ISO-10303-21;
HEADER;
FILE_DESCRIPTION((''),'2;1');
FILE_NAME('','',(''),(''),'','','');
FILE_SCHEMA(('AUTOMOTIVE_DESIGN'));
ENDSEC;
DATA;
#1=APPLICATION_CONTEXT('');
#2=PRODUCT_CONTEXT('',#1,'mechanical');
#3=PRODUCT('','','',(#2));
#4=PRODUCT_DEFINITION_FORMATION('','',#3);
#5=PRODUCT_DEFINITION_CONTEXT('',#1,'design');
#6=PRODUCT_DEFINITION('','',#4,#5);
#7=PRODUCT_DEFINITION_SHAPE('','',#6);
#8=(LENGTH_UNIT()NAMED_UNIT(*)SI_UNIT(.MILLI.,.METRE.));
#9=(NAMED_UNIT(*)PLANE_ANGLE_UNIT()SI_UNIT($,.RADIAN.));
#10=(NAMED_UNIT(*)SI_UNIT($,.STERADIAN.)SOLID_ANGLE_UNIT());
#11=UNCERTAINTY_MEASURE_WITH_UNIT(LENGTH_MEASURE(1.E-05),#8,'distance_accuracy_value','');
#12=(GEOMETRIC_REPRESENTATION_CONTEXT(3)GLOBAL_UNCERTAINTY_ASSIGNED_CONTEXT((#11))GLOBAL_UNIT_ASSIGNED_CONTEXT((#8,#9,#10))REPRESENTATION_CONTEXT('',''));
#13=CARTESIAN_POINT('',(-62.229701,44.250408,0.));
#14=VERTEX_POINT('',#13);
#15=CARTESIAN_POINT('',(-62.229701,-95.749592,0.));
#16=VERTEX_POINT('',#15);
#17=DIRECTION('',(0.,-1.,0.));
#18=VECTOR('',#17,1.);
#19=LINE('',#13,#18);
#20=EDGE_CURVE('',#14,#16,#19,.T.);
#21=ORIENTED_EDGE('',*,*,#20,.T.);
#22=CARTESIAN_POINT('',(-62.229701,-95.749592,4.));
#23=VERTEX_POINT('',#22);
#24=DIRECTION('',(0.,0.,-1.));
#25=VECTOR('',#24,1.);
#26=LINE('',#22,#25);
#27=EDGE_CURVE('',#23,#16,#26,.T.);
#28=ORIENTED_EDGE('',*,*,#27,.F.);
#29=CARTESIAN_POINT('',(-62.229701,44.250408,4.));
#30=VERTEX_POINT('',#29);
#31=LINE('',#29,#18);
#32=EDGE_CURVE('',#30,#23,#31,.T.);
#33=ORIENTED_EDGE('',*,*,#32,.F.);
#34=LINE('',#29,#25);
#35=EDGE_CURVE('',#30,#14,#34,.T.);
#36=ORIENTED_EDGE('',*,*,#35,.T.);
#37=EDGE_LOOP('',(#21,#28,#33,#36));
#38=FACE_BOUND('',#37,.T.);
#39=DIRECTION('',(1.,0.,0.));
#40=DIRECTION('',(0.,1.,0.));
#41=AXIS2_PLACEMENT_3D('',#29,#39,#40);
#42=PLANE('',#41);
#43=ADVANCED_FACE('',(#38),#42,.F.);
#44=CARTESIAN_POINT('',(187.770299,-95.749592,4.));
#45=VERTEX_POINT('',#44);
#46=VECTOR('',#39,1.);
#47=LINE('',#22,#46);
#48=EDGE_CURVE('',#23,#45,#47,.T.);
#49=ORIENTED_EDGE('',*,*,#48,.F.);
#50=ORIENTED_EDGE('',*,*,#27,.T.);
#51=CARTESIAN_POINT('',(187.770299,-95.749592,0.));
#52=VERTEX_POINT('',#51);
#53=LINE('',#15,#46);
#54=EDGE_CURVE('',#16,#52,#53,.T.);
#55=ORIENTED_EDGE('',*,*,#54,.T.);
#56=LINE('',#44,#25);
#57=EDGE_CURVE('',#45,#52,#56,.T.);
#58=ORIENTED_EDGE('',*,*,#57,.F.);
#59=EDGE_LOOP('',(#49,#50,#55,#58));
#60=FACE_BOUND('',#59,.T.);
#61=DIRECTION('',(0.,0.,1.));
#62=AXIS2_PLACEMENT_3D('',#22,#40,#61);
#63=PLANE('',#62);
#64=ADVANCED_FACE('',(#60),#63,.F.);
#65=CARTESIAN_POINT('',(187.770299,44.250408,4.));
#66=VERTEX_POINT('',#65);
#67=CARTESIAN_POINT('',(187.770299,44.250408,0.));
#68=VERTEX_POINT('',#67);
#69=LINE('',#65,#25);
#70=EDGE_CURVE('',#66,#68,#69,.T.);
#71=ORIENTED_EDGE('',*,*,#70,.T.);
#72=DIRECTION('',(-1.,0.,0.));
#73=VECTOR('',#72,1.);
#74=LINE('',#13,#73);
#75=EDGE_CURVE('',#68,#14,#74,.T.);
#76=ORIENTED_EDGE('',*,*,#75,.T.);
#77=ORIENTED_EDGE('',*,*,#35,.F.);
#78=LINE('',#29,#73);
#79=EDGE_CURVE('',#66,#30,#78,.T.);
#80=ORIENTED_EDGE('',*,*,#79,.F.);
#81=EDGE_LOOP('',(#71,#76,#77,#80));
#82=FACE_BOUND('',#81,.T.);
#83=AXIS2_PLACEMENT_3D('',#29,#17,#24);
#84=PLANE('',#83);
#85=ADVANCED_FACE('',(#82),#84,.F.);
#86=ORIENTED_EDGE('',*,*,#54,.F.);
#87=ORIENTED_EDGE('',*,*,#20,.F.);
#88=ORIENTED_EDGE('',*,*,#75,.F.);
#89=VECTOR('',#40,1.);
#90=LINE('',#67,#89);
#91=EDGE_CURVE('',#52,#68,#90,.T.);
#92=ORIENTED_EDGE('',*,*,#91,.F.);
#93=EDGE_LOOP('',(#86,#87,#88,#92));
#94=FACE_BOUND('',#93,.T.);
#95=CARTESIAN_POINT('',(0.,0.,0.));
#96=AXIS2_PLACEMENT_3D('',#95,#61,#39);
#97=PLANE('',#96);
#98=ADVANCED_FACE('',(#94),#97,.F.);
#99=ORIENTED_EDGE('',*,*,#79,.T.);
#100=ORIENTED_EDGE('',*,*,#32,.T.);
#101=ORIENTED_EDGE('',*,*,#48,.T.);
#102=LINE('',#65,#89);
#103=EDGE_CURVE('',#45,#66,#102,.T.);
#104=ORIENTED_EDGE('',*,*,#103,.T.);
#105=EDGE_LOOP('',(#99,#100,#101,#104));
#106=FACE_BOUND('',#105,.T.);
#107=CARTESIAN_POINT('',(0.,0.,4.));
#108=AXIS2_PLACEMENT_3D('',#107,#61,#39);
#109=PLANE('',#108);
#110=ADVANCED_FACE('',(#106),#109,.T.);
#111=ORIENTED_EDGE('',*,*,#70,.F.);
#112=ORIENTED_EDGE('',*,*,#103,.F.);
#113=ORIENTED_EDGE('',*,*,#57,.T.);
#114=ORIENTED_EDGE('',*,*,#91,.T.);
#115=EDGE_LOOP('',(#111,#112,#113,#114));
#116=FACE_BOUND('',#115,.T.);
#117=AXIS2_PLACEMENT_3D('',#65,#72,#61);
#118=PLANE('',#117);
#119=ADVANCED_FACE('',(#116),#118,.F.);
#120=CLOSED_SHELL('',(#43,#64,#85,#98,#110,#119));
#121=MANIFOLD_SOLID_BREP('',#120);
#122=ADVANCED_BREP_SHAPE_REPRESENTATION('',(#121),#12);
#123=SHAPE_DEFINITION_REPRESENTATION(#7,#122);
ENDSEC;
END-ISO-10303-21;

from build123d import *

# Parameters (mm, degrees)
SKETCH_1_W      = 250
SKETCH_1_H      = 140
EXTRUDE_1_DEPTH = 4


with BuildPart() as part:
    # 草图1 → 凸台-拉伸1 (new body)
    with BuildSketch(Plane.XY):
        with Locations((62.770298772, -25.749592398)):
            Rectangle(SKETCH_1_W, SKETCH_1_H)
    extrude(amount=EXTRUDE_1_DEPTH)


solid = part.part
